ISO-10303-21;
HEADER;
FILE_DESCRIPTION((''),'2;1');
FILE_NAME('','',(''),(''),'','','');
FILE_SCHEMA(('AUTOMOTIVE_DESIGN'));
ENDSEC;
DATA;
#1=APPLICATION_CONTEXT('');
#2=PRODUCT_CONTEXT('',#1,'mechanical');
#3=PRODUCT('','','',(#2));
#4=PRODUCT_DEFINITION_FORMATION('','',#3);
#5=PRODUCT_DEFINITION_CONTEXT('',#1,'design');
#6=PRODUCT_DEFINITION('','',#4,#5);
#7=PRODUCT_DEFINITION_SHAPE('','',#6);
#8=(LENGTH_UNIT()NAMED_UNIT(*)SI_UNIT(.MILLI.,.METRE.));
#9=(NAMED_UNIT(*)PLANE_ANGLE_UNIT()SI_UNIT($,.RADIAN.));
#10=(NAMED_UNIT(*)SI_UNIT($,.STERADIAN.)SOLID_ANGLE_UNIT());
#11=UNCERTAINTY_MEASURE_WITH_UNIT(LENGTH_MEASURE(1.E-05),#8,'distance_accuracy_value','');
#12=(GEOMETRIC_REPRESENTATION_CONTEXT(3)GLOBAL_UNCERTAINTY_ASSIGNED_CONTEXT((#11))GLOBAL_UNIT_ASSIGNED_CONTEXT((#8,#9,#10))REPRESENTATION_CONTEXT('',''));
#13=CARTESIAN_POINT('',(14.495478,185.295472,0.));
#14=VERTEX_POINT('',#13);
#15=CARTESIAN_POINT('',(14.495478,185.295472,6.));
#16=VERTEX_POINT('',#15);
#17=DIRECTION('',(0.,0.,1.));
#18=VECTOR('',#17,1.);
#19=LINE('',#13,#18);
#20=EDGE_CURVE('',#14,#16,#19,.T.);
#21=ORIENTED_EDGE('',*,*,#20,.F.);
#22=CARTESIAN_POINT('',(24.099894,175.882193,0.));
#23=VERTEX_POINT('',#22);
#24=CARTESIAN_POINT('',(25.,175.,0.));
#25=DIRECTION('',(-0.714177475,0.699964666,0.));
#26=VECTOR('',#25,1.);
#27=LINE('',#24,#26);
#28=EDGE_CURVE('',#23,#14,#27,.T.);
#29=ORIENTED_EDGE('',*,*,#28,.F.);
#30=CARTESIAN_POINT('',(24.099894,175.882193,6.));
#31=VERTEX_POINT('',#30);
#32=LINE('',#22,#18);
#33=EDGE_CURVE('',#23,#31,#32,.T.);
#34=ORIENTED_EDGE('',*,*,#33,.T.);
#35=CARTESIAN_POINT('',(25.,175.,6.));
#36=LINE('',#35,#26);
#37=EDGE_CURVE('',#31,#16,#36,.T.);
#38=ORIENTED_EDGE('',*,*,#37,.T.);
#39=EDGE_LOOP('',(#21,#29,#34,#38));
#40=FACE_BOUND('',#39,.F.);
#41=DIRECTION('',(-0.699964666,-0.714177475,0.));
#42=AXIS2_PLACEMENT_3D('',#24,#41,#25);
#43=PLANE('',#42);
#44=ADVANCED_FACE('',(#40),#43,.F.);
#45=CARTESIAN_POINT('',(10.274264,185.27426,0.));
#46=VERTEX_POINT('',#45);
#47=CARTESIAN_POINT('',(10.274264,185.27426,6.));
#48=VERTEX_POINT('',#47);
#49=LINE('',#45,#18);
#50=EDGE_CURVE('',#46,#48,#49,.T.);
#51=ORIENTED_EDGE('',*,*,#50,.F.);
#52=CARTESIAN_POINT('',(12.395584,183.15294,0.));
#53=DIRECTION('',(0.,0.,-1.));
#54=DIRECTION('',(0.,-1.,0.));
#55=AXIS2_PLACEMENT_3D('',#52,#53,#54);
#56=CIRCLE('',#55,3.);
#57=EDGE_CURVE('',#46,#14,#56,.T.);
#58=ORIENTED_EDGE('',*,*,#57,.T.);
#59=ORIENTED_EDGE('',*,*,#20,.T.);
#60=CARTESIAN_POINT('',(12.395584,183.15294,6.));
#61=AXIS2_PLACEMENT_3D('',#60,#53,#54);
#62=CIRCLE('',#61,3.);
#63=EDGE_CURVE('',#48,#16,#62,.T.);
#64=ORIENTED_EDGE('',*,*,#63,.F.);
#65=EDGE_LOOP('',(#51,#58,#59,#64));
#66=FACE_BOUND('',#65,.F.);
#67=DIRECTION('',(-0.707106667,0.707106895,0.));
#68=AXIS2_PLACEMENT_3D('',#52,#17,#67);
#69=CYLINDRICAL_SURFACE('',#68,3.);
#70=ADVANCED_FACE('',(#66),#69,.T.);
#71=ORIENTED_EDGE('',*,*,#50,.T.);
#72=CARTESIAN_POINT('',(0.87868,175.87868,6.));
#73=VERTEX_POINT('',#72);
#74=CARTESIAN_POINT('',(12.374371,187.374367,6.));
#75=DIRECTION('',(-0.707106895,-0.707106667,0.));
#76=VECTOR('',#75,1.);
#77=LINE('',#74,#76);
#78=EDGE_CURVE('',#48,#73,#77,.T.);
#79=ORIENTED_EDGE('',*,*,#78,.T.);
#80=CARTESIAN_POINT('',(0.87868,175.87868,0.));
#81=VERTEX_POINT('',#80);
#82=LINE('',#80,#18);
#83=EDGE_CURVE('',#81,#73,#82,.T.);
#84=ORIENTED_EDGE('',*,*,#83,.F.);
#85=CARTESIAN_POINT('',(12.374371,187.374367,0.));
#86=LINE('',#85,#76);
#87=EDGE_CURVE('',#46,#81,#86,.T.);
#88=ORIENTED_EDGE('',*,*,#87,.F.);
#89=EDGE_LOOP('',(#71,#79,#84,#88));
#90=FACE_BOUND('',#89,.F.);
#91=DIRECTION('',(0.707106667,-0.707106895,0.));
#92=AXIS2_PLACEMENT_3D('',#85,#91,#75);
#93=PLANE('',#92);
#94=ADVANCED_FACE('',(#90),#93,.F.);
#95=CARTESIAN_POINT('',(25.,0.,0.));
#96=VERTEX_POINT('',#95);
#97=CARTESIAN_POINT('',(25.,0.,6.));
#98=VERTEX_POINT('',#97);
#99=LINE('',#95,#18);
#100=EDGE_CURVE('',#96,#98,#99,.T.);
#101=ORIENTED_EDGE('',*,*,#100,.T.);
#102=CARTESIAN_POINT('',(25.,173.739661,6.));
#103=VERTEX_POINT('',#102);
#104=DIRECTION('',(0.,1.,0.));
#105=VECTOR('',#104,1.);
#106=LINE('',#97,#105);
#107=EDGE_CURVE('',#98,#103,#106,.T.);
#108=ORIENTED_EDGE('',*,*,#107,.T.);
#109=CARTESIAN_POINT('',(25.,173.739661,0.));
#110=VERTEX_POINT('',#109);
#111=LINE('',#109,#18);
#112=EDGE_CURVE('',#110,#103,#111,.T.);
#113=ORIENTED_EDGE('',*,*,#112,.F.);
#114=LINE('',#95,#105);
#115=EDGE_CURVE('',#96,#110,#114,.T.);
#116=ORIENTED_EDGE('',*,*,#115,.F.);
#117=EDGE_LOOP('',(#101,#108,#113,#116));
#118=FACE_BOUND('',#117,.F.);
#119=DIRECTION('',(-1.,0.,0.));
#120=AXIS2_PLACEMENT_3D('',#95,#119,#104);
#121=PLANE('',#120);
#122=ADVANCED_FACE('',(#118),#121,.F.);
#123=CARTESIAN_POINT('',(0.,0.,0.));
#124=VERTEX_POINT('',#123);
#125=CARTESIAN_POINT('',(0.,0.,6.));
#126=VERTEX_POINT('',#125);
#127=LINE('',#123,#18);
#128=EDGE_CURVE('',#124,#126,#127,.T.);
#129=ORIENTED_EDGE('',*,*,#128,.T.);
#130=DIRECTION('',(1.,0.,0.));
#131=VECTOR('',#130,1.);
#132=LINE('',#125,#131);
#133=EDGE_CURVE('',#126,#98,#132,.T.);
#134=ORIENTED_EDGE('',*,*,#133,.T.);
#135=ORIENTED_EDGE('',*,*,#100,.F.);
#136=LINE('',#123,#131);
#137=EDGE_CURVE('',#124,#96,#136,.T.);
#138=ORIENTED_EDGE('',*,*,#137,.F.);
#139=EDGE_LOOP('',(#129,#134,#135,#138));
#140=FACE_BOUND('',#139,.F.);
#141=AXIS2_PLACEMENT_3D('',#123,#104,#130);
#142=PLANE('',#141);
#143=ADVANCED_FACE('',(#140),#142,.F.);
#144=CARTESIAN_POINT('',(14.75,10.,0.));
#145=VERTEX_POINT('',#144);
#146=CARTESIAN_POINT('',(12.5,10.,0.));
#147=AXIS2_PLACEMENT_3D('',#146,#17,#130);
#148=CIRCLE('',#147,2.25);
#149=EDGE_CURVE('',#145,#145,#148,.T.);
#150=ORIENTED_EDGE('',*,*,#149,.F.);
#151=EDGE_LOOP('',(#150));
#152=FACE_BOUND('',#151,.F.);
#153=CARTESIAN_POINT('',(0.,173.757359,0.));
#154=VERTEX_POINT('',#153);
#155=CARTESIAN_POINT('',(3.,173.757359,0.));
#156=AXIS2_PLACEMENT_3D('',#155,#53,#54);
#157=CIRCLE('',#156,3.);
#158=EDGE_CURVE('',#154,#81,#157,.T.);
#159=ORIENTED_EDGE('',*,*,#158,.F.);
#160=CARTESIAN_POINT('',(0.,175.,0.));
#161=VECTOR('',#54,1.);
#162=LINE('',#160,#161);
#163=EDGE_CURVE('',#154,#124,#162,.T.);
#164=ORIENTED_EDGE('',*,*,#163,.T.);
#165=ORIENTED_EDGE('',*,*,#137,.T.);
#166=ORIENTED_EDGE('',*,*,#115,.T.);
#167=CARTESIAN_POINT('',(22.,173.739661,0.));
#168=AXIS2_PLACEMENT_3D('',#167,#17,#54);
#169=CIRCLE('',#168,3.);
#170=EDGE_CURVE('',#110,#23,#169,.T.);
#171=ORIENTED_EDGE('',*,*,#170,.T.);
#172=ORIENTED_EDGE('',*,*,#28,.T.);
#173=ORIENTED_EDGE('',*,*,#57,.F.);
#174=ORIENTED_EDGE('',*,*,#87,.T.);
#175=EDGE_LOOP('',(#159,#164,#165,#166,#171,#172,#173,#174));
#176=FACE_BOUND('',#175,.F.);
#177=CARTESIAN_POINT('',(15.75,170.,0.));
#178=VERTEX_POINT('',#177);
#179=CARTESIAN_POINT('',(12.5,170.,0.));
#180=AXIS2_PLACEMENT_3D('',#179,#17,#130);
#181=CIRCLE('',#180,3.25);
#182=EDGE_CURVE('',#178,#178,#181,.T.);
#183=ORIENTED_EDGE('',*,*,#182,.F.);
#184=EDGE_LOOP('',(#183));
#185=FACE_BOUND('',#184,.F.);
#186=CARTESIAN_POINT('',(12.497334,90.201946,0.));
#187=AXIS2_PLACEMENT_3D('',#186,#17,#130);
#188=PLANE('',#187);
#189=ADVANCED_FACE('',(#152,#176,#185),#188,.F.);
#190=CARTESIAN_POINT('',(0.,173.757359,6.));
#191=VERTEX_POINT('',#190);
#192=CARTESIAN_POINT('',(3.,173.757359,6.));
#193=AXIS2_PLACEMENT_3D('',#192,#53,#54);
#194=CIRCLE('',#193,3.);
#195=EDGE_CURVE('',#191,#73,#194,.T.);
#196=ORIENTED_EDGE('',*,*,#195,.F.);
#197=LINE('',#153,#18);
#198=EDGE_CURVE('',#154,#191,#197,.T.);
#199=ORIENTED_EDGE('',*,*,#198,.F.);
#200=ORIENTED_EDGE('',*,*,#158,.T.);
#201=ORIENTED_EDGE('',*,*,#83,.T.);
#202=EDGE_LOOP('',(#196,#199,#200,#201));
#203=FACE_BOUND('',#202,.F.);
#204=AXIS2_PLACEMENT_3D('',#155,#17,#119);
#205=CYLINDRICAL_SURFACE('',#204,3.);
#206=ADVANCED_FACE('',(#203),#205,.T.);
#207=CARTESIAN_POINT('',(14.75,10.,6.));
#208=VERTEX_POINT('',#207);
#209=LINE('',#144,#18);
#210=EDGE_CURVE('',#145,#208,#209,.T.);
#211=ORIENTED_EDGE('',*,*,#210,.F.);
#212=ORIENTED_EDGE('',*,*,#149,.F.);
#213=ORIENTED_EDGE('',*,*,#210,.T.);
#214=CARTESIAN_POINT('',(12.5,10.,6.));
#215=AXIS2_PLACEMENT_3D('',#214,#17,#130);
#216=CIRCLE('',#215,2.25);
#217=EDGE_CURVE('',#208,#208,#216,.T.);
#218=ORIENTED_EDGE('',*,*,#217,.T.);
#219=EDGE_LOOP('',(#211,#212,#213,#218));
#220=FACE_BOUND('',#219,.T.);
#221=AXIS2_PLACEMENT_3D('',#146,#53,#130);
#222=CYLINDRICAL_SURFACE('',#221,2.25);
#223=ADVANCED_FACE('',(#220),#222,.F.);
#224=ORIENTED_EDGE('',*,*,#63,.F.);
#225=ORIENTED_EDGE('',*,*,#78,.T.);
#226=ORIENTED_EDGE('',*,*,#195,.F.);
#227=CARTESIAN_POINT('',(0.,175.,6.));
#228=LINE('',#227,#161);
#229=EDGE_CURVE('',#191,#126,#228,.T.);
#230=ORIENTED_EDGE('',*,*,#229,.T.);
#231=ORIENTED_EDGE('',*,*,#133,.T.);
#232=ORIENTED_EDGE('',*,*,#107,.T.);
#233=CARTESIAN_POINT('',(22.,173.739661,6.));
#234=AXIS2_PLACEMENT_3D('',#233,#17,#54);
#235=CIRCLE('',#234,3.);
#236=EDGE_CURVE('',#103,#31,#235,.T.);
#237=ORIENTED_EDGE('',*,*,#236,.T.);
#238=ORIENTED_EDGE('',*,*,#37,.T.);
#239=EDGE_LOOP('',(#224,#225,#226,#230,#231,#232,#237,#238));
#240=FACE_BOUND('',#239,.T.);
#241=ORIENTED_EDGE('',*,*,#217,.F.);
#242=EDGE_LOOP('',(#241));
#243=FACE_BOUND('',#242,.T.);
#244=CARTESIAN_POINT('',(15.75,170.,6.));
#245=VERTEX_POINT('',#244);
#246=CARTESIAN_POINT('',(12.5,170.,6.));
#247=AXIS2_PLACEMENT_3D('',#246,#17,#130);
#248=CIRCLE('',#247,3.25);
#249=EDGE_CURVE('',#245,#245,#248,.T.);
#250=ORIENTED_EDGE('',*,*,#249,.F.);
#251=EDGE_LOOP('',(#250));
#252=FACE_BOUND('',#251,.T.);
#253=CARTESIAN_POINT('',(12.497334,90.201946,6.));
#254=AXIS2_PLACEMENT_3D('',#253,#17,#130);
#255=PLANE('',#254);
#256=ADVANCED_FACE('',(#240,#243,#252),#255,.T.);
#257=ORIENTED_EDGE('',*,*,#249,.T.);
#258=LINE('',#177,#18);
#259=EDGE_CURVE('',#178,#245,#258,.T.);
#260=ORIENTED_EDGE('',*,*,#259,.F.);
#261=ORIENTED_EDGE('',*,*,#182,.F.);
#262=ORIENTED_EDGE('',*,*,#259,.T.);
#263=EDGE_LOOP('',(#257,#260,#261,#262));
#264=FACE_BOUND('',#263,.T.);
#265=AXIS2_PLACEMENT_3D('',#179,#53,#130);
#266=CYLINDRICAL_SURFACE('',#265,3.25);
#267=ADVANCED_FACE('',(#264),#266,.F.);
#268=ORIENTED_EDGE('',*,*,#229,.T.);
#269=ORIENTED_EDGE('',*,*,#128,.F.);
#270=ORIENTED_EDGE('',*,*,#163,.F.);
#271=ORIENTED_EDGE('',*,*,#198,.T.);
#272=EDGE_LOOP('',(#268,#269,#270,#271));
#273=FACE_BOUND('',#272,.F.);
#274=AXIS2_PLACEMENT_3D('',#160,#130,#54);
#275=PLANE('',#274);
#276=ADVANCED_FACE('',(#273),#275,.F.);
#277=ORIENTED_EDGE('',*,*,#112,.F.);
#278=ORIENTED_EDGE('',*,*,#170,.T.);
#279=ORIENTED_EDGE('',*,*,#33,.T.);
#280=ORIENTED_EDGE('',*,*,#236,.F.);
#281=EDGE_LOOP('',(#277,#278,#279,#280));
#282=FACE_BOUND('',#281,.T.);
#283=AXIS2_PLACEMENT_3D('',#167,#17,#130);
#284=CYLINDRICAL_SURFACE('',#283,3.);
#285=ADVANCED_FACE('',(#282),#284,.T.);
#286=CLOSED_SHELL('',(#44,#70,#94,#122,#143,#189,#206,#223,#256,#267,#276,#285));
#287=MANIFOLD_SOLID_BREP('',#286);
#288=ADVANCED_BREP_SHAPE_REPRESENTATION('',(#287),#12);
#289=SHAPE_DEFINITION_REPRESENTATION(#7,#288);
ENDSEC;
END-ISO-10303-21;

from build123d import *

# Parameters (mm, degrees)
SKETCH_R   = 2.25
SKETCH_R_2 = 3.25
PAD_DEPTH  = 6
FILLET_R   = 3


with BuildPart() as part:
    # Sketch → Pad (new body)
    with BuildSketch(Plane.XY):
        Polygon((0, 0), (25, 0), (25, 175), (12.374371, 187.374367), (0, 175), align=None)
        with Locations((12.5, 10)):
            Circle(SKETCH_R, mode=Mode.SUBTRACT)
        with Locations((12.5, 170)):
            Circle(SKETCH_R_2, mode=Mode.SUBTRACT)
    extrude(amount=PAD_DEPTH)

    # Fillet
    fillet_edges = [part.edges().sort_by_distance(p)[0] for p in [
        (12.374371, 187.374367, 3),
        (25, 175, 3),
        (0, 175, 3),
    ]]
    fillet(fillet_edges, radius=FILLET_R)


solid = part.part
